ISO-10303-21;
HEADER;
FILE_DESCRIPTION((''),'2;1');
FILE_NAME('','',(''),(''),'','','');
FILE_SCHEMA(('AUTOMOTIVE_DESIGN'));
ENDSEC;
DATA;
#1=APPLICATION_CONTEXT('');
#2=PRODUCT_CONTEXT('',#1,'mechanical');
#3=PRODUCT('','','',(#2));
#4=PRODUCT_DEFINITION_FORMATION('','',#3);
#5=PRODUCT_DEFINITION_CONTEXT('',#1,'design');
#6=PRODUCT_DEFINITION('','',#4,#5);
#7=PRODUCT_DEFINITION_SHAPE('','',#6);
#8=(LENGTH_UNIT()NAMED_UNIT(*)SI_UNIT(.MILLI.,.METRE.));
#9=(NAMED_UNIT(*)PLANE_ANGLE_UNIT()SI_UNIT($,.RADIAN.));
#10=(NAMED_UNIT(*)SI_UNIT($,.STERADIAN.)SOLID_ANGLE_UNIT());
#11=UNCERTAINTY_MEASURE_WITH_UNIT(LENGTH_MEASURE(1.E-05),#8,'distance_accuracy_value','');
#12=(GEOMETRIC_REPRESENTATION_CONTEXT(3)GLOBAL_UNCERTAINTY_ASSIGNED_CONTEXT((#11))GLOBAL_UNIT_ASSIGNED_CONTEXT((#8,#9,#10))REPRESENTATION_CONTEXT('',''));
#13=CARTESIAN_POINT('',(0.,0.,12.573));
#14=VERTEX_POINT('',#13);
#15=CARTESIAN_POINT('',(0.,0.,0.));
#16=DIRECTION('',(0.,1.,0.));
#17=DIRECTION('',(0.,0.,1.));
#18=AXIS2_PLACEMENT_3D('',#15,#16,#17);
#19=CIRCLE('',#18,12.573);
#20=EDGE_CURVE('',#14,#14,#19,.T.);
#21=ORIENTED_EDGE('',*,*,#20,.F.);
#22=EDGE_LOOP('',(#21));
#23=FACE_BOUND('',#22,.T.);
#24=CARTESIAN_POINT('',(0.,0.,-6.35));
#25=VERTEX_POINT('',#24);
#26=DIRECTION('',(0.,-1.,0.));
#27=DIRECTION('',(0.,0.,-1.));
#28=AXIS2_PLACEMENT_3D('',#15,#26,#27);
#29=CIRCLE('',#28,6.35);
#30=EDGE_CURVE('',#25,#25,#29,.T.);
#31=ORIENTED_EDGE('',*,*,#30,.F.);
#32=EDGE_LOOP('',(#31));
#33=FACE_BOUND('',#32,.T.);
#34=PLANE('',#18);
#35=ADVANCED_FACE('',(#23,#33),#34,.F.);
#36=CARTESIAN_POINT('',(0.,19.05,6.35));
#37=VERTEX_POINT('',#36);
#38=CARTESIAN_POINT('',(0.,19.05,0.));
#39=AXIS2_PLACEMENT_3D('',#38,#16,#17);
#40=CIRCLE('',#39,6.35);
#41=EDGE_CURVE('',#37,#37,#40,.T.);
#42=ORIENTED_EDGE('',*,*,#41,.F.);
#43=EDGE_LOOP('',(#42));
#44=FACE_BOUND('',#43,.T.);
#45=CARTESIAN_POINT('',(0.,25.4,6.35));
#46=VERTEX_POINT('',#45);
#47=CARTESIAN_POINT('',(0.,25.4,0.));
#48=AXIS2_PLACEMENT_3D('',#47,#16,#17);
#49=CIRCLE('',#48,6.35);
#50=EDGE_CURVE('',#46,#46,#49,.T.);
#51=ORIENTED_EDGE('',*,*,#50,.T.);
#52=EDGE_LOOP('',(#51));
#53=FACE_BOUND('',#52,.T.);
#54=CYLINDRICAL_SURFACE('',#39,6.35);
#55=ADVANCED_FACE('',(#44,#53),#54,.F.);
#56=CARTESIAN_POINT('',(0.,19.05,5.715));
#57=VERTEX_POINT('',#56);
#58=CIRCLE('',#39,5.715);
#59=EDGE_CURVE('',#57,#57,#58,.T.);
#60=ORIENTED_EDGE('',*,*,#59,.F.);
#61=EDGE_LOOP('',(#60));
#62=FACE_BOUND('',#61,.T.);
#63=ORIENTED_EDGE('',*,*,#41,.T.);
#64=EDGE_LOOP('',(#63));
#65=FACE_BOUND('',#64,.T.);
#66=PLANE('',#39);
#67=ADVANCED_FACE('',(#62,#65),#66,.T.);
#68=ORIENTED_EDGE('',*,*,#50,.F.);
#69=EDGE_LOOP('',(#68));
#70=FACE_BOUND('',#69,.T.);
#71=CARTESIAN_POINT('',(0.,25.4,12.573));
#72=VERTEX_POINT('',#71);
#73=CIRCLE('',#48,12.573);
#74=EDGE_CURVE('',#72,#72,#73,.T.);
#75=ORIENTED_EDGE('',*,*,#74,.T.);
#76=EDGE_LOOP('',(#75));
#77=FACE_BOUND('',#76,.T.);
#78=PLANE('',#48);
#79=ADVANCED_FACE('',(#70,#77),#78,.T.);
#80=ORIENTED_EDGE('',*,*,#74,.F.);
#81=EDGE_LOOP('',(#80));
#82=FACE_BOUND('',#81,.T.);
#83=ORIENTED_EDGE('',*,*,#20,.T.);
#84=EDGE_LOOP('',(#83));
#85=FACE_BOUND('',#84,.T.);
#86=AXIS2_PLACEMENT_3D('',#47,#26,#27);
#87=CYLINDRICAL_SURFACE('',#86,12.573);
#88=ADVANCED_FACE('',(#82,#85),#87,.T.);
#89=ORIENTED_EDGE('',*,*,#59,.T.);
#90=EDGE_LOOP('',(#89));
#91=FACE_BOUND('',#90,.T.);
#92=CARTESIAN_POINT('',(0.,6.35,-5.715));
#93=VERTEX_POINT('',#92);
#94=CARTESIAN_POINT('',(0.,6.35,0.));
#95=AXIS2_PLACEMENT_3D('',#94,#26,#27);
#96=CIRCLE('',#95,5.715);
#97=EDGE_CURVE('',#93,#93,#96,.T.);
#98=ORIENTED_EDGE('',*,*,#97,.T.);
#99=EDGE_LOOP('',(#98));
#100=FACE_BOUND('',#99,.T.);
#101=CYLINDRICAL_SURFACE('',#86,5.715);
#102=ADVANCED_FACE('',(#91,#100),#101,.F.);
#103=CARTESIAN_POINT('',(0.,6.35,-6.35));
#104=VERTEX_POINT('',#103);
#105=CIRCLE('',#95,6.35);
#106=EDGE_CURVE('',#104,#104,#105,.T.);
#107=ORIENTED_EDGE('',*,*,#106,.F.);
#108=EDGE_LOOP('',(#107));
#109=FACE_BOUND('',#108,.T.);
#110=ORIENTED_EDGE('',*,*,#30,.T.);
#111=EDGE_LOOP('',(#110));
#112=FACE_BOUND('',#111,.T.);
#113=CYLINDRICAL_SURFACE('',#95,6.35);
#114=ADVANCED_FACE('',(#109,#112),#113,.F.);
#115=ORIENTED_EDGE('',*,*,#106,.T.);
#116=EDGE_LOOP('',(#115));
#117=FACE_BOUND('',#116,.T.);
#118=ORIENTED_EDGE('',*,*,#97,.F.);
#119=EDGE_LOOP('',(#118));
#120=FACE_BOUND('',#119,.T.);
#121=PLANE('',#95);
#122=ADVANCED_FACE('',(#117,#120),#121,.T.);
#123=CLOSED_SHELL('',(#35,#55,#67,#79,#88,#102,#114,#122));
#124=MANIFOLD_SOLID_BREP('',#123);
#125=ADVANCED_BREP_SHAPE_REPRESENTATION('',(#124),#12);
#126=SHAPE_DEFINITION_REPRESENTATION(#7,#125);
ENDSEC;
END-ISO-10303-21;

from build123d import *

# Parameters (mm, degrees)
SKETCH1_R           = 12.573
SKETCH1_R_2         = 5.715
BOSS_EXTRUDE1_DEPTH = 25.4
CUT_EXTRUDE2_START  = -6.35
SKETCH3_R           = 6.35
SKETCH3_R_2         = 5.715
CUT_EXTRUDE2_DEPTH  = 6.35
SKETCH4_R           = 6.35
SKETCH4_R_2         = 5.715
CUT_EXTRUDE3_DEPTH  = 6.35


with BuildPart() as part:
    # Sketch1 → Boss-Extrude1 (new body)
    with BuildSketch(Plane(origin=(0, 0, 0), x_dir=(1, 0, 0), z_dir=(0, 1, 0))):
        with Locations(Location((0, 0, 0), (0, 0, 270))):
            Circle(SKETCH1_R)
        with Locations(Location((0, 0, 0), (0, 0, 270))):
            Circle(SKETCH1_R_2, mode=Mode.SUBTRACT)
    extrude(amount=BOSS_EXTRUDE1_DEPTH)

    # Sketch3 → Cut-Extrude2 (cut)
    with BuildSketch(Plane(origin=(0, 25.4, 0), x_dir=(1, 0, 0), z_dir=(0, 1, 0)).offset(CUT_EXTRUDE2_START)):
        with Locations(Location((0, 0, 0), (0, 0, 270))):
            Circle(SKETCH3_R)
        with Locations(Location((0, 0, 0), (0, 0, 270))):
            Circle(SKETCH3_R_2, mode=Mode.SUBTRACT)
    extrude(amount=CUT_EXTRUDE2_DEPTH, mode=Mode.SUBTRACT)

    # Sketch4 → Cut-Extrude3 (cut)
    with BuildSketch(Plane.XZ):
        with Locations(Location((0, 0, 0), (0, 0, 90))):
            Circle(SKETCH4_R)
        with Locations(Location((0, 0, 0), (0, 0, 270))):
            Circle(SKETCH4_R_2, mode=Mode.SUBTRACT)
    extrude(amount=-CUT_EXTRUDE3_DEPTH, mode=Mode.SUBTRACT)


solid = part.part
